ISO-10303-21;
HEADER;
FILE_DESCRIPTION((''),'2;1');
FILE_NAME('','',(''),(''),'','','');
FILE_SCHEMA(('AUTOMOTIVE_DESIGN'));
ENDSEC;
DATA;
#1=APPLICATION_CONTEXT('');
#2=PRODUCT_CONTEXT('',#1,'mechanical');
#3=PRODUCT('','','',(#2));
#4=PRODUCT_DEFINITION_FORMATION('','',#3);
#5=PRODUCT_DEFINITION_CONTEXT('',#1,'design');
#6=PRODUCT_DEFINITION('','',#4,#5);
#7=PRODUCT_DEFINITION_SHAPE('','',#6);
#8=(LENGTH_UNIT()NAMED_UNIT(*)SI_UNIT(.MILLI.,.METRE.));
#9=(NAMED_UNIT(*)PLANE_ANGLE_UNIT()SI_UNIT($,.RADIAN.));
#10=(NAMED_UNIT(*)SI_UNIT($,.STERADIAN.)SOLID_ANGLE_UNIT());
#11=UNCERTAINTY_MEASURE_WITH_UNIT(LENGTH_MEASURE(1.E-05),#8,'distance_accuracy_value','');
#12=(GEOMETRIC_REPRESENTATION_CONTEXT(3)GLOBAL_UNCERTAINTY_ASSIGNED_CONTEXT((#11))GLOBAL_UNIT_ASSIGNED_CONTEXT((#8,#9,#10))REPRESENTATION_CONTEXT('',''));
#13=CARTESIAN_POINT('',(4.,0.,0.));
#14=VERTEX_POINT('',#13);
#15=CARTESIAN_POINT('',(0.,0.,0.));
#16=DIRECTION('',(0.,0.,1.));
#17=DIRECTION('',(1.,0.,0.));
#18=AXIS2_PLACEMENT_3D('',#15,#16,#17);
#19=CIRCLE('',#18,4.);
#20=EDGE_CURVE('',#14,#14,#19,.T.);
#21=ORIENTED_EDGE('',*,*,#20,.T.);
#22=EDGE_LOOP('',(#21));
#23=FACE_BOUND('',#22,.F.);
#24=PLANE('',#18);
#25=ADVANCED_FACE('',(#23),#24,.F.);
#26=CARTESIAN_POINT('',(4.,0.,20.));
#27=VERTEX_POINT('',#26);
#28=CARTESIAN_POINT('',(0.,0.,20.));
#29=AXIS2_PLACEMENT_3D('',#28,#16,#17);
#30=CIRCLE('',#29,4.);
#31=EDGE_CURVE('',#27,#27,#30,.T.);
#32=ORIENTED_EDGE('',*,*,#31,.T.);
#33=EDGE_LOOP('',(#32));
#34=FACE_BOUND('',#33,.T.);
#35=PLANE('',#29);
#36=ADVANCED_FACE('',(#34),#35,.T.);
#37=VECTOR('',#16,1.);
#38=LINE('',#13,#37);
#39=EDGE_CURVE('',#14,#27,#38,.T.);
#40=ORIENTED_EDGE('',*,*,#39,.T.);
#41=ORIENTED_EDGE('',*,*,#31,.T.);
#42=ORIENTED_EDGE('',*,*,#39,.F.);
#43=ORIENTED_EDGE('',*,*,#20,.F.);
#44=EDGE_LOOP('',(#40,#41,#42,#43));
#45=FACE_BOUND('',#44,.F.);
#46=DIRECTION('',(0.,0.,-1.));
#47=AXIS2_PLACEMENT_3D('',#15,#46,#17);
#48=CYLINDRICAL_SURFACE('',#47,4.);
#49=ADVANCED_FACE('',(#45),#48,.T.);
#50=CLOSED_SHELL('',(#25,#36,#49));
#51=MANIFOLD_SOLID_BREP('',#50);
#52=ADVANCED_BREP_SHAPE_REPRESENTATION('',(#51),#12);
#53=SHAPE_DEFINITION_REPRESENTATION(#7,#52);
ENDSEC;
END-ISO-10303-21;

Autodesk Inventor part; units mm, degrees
ref_plane "YZ Plane" through (0, 0, 0) normal (1, 0, 0) x (0, 1, 0)
ref_plane "XZ Plane" through (0, 0, 0) normal (0, 1, 0) x (-1, 0, 0)
ref_plane "XY Plane" through (0, 0, 0) normal (0, 0, 1) x (1, 0, 0)
sketch "Sketch1" plane through (0, 0, 0) normal (0, 0, 1) x (1, 0, 0)
  circle A0 centre (0, 0) radius 4
  dimension "d0" = 8
extrude "Extrusion1" add sketch "Sketch1" along normal blind 20
properties part number "SpoolHolderBearingShaft" material "Steel, Alloy"
